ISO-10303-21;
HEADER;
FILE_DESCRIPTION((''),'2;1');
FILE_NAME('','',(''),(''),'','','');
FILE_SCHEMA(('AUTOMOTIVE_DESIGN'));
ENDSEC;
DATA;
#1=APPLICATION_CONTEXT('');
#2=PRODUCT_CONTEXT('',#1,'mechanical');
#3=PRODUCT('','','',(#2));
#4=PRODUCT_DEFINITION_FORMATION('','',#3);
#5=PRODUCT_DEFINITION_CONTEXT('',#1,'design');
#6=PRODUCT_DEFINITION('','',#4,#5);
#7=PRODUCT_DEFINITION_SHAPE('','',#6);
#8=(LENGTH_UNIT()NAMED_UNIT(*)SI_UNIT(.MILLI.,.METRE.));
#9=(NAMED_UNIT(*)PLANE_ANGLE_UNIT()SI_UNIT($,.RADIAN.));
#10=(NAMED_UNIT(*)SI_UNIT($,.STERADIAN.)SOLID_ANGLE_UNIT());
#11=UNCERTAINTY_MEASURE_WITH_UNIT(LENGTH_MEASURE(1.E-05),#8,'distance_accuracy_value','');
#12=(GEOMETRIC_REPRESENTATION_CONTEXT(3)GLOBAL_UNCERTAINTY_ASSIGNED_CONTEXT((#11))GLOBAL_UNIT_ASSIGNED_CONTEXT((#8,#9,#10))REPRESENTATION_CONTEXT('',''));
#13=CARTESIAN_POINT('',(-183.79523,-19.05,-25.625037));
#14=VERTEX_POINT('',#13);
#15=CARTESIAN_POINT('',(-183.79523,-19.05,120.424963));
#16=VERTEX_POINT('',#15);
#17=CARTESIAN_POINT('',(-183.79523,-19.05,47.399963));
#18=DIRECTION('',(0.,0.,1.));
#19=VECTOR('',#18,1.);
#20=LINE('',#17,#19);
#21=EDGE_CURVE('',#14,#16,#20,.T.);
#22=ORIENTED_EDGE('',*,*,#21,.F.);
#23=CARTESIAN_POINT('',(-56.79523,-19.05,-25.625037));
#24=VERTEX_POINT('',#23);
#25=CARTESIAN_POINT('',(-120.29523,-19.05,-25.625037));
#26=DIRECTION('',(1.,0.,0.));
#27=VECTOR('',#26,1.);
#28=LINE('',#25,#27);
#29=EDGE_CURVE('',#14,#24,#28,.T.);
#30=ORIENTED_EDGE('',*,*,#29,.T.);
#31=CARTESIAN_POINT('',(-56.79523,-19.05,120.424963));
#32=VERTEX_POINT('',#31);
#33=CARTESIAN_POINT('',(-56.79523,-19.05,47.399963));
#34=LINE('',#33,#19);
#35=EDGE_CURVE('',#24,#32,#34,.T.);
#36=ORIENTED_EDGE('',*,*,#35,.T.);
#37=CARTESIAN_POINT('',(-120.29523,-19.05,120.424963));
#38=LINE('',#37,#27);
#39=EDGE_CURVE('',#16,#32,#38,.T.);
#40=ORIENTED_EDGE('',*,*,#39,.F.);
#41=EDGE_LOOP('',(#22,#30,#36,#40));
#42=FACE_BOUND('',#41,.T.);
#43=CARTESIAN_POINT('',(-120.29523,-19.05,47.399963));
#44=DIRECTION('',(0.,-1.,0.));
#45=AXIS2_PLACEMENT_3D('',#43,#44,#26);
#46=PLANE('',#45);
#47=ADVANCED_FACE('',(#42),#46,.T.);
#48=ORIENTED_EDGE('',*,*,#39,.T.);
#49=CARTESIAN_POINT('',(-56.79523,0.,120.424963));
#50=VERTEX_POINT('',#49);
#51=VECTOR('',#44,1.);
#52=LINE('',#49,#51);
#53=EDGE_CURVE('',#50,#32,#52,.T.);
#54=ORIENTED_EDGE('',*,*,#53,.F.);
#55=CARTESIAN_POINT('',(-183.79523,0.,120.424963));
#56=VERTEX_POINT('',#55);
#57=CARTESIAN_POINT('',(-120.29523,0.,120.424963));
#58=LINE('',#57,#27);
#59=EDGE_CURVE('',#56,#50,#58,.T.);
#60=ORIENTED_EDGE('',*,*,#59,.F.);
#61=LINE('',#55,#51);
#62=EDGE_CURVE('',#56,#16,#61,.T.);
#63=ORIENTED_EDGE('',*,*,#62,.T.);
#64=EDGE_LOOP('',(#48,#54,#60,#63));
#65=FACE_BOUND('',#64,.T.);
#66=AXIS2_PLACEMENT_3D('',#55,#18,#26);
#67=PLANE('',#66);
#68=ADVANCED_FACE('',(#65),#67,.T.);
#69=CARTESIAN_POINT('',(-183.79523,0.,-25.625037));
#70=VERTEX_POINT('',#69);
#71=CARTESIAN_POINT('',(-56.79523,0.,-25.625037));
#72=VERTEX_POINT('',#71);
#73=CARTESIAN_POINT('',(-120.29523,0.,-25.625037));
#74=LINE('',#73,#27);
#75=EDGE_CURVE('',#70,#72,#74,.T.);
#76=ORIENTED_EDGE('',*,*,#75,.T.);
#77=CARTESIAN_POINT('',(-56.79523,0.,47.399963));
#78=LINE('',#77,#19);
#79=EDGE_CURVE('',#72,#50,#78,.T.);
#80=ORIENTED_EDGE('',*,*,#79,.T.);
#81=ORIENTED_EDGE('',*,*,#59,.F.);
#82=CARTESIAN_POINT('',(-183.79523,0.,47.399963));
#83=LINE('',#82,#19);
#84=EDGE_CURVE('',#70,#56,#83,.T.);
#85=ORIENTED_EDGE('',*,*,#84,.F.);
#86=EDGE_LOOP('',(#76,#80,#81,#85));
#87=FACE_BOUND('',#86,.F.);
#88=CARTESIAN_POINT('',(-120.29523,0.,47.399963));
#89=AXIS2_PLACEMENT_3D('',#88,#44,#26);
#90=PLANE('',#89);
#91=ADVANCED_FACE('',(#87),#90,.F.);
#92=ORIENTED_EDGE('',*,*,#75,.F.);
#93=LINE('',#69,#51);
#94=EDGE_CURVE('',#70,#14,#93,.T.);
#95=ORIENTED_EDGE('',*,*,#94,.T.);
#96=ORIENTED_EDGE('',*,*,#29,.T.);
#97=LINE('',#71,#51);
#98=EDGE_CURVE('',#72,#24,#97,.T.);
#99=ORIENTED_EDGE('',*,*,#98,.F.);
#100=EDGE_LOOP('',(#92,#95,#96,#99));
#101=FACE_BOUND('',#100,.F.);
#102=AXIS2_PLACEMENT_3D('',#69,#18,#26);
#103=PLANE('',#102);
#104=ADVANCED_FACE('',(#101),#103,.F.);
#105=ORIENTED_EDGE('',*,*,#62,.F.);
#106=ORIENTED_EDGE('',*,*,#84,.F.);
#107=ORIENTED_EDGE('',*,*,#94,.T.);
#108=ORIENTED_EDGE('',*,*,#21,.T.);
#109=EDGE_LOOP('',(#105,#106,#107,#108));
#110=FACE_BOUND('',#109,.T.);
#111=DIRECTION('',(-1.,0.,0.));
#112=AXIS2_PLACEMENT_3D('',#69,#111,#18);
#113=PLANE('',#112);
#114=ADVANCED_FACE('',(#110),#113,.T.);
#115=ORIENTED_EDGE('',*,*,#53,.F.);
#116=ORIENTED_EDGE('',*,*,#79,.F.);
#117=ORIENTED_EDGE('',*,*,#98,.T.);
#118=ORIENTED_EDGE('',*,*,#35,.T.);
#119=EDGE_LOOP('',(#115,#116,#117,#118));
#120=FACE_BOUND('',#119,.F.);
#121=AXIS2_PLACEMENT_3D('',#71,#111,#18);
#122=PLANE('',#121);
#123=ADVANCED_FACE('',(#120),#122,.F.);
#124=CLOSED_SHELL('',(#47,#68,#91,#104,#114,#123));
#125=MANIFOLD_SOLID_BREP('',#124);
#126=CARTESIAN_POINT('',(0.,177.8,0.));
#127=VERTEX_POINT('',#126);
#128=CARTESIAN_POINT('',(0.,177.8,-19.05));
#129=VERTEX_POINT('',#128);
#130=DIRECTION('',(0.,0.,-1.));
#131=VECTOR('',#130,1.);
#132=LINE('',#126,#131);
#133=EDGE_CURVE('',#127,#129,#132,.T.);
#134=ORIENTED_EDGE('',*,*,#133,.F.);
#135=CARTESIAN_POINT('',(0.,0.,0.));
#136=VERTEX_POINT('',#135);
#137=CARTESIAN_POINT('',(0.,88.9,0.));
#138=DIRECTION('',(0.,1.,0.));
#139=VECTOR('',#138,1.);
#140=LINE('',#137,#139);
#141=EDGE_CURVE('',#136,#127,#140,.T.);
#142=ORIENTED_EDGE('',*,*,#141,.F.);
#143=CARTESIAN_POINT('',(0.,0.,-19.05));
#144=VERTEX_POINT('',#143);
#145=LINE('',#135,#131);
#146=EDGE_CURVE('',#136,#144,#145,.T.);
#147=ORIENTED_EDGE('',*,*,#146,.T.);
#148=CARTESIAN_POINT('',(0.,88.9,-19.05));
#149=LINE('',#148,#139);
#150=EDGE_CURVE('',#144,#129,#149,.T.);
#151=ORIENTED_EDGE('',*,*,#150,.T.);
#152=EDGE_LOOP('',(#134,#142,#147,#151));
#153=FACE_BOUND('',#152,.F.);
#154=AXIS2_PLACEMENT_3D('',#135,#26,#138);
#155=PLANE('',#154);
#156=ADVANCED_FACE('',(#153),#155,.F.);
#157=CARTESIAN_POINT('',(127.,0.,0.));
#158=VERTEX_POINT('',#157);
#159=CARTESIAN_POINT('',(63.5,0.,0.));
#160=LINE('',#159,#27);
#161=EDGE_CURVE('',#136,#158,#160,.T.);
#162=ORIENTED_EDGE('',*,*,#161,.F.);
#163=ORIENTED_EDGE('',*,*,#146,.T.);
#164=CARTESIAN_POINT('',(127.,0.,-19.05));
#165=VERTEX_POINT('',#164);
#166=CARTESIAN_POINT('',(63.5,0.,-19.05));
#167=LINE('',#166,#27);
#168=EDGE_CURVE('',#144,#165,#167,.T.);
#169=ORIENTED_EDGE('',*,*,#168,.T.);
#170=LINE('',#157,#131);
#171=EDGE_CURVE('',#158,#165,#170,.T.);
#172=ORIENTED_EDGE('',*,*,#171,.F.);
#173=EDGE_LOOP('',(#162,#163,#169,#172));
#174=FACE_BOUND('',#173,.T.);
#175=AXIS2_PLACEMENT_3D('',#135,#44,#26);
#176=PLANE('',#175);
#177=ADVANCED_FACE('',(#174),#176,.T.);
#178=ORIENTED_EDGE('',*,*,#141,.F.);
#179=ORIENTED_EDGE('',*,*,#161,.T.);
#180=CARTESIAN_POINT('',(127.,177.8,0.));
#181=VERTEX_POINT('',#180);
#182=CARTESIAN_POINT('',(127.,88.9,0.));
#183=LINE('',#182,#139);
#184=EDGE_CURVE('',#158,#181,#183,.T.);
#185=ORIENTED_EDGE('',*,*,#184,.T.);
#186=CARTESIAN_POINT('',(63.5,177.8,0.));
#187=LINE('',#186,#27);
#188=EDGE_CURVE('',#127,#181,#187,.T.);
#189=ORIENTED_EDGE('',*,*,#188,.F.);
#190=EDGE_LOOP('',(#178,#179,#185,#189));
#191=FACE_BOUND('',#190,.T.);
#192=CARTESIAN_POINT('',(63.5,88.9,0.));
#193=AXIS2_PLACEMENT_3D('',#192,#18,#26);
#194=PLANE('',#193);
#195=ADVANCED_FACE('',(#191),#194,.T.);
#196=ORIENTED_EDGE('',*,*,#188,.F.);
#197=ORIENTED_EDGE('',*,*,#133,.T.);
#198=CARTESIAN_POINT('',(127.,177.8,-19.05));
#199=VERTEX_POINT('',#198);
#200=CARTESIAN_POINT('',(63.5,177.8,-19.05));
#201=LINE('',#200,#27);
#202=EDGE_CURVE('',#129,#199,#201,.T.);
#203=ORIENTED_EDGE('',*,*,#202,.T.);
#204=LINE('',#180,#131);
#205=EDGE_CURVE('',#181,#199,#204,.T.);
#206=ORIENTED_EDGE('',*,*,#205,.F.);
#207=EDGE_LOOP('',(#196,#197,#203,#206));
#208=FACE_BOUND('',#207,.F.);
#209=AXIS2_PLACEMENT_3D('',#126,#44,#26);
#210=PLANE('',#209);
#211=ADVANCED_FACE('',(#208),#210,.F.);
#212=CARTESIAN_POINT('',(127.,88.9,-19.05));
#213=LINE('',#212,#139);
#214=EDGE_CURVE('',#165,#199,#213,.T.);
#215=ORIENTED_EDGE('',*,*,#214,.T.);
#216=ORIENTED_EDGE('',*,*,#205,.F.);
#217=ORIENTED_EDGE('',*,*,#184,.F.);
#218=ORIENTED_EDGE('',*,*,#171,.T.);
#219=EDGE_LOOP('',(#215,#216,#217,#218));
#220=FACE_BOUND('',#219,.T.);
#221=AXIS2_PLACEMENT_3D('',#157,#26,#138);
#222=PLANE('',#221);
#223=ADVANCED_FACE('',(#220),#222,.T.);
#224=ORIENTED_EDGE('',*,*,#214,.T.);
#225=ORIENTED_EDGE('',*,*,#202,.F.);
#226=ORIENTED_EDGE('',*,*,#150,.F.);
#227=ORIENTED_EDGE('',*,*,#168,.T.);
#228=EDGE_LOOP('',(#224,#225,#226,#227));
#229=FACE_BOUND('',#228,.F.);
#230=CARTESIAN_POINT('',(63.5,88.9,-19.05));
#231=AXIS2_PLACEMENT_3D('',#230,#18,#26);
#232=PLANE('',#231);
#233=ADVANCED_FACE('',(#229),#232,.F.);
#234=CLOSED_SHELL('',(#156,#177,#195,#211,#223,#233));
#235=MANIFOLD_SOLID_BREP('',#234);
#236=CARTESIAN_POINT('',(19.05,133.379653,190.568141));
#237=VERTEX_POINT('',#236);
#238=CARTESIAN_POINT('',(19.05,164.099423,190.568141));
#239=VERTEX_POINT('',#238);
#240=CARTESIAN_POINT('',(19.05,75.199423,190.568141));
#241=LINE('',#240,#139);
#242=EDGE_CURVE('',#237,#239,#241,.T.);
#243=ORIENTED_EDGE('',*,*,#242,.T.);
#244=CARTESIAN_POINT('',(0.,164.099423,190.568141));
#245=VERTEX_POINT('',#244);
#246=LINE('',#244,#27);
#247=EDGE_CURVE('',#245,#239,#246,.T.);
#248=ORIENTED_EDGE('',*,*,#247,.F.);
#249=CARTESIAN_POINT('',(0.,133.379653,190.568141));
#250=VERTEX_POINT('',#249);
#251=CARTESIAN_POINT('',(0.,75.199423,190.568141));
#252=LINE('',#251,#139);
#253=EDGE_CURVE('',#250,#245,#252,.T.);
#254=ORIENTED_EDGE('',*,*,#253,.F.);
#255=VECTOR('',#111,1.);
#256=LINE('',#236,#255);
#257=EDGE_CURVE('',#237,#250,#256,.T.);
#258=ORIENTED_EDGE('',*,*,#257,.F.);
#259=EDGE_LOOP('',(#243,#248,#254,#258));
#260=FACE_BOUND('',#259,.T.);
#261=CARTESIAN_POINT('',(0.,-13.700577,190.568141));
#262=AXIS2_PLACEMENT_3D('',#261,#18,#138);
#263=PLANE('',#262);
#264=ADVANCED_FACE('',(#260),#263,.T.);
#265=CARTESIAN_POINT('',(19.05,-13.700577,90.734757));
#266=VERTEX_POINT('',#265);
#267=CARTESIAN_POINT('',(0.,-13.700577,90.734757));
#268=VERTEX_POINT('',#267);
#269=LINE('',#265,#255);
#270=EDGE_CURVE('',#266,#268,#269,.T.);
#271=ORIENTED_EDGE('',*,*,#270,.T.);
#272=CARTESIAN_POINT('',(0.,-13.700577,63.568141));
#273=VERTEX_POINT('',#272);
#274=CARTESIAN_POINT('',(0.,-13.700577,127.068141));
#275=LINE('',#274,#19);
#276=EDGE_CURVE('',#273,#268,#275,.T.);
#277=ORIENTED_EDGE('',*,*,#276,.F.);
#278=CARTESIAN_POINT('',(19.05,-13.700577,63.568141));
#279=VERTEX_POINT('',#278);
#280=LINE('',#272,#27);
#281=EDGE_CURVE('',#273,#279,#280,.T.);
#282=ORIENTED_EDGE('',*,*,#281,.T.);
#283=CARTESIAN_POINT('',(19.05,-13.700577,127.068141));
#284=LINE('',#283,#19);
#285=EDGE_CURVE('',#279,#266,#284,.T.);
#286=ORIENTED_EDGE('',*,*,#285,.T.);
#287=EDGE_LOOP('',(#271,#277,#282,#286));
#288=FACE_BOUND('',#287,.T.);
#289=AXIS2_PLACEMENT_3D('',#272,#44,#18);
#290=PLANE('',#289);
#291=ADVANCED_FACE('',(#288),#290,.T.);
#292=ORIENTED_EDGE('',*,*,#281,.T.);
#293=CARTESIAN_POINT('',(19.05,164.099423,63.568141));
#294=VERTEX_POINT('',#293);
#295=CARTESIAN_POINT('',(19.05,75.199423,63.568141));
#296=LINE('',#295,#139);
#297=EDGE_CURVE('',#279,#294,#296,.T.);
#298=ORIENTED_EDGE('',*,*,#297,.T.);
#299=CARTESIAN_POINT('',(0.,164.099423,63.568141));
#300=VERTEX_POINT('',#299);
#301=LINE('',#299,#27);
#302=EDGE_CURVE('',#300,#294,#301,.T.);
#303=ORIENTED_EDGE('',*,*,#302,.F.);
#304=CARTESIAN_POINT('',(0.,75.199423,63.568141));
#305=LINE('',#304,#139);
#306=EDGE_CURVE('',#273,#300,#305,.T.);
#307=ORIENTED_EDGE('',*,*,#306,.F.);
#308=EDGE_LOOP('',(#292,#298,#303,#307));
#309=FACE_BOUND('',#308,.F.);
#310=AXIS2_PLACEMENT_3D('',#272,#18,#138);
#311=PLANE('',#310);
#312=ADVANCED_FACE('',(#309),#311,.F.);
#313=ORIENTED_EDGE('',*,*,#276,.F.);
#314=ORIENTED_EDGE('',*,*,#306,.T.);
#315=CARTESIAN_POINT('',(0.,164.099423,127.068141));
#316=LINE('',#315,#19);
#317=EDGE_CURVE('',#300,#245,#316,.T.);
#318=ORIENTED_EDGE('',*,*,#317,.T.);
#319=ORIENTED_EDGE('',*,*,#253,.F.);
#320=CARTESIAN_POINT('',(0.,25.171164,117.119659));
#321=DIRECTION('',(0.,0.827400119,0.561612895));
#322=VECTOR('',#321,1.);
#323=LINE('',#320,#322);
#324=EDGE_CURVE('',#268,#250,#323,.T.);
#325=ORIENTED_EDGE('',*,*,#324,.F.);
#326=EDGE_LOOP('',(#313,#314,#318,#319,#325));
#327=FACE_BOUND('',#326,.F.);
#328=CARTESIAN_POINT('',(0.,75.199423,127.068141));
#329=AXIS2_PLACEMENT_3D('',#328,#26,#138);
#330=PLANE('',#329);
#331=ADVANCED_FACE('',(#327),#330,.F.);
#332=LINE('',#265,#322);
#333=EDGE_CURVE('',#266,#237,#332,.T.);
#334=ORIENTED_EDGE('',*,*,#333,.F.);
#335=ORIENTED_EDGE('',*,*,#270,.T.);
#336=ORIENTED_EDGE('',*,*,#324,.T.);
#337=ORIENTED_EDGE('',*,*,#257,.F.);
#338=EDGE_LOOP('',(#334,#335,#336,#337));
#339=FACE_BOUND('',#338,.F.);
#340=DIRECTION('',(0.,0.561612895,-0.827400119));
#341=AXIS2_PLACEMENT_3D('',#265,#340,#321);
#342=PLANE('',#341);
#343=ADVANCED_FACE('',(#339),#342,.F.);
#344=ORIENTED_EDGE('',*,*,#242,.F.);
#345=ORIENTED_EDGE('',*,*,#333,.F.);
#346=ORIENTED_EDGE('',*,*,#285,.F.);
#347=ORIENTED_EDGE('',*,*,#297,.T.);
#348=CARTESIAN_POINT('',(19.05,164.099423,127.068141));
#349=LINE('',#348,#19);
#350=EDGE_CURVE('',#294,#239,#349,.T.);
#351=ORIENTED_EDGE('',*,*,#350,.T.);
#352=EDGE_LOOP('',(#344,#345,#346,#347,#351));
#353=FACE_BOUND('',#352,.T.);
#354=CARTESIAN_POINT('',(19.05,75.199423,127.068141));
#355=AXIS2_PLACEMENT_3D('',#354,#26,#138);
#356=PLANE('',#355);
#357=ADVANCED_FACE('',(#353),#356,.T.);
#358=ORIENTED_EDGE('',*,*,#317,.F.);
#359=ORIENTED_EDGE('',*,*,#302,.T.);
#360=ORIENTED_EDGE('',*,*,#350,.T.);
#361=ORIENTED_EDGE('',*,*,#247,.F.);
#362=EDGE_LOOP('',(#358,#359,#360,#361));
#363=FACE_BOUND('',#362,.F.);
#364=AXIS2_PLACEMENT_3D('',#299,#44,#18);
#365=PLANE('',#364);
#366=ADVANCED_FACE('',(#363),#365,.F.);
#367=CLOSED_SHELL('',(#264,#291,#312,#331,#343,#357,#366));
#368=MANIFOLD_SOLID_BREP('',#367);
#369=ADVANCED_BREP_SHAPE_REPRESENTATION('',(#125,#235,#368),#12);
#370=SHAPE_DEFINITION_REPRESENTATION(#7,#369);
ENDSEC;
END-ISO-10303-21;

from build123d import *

# Parameters (mm, degrees)
F0_W     = 127
F0_H     = 177.8
F1_DEPTH = 19.05
F2_W     = 177.8
F2_H     = 127
F3_DEPTH = 19.05
F5_DEPTH = 25.4
F7_DEPTH = 25.4
F8_W     = 127
F8_H     = 146.05
F9_DEPTH = 19.05


with BuildPart() as f1:
    # F0 (on Top) → F1 (new body)
    with BuildSketch(Plane.XY):
        with Locations((63.5, 88.9)):
            Rectangle(F0_W, F0_H)
    extrude(amount=-F1_DEPTH)


with BuildPart() as f3:
    # F2 (on Right) → F3 (new body)
    with BuildSketch(Plane.YZ):
        with Locations((75.199423, 127.068141)):
            Rectangle(F2_W, F2_H)
    extrude(amount=F3_DEPTH)

    # F4 (on face) → F5 (cut)
    with BuildSketch(Plane.YZ.offset(19.05)):
        Polygon((-13.700577, 124.175191), (86.697571, 190.568141), (-13.700577, 190.568141), align=None)
    extrude(amount=-F5_DEPTH, mode=Mode.SUBTRACT)

    # F6 (on face) → F7 (cut)
    with BuildSketch(Plane.YZ.offset(19.05)):
        Polygon((-13.700577, 90.734757), (133.379653, 190.568141), (86.697571, 190.568141), (-13.700577, 124.175191), align=None)
    extrude(amount=-F7_DEPTH, mode=Mode.SUBTRACT)


with BuildPart() as f9:
    # F8 (on Front) → F9 (new body)
    with BuildSketch(Plane.XZ):
        with Locations((-120.29523, 47.399963)):
            Rectangle(F8_W, F8_H)
    extrude(amount=F9_DEPTH)


solid = Compound([f1.part, f3.part, f9.part])
